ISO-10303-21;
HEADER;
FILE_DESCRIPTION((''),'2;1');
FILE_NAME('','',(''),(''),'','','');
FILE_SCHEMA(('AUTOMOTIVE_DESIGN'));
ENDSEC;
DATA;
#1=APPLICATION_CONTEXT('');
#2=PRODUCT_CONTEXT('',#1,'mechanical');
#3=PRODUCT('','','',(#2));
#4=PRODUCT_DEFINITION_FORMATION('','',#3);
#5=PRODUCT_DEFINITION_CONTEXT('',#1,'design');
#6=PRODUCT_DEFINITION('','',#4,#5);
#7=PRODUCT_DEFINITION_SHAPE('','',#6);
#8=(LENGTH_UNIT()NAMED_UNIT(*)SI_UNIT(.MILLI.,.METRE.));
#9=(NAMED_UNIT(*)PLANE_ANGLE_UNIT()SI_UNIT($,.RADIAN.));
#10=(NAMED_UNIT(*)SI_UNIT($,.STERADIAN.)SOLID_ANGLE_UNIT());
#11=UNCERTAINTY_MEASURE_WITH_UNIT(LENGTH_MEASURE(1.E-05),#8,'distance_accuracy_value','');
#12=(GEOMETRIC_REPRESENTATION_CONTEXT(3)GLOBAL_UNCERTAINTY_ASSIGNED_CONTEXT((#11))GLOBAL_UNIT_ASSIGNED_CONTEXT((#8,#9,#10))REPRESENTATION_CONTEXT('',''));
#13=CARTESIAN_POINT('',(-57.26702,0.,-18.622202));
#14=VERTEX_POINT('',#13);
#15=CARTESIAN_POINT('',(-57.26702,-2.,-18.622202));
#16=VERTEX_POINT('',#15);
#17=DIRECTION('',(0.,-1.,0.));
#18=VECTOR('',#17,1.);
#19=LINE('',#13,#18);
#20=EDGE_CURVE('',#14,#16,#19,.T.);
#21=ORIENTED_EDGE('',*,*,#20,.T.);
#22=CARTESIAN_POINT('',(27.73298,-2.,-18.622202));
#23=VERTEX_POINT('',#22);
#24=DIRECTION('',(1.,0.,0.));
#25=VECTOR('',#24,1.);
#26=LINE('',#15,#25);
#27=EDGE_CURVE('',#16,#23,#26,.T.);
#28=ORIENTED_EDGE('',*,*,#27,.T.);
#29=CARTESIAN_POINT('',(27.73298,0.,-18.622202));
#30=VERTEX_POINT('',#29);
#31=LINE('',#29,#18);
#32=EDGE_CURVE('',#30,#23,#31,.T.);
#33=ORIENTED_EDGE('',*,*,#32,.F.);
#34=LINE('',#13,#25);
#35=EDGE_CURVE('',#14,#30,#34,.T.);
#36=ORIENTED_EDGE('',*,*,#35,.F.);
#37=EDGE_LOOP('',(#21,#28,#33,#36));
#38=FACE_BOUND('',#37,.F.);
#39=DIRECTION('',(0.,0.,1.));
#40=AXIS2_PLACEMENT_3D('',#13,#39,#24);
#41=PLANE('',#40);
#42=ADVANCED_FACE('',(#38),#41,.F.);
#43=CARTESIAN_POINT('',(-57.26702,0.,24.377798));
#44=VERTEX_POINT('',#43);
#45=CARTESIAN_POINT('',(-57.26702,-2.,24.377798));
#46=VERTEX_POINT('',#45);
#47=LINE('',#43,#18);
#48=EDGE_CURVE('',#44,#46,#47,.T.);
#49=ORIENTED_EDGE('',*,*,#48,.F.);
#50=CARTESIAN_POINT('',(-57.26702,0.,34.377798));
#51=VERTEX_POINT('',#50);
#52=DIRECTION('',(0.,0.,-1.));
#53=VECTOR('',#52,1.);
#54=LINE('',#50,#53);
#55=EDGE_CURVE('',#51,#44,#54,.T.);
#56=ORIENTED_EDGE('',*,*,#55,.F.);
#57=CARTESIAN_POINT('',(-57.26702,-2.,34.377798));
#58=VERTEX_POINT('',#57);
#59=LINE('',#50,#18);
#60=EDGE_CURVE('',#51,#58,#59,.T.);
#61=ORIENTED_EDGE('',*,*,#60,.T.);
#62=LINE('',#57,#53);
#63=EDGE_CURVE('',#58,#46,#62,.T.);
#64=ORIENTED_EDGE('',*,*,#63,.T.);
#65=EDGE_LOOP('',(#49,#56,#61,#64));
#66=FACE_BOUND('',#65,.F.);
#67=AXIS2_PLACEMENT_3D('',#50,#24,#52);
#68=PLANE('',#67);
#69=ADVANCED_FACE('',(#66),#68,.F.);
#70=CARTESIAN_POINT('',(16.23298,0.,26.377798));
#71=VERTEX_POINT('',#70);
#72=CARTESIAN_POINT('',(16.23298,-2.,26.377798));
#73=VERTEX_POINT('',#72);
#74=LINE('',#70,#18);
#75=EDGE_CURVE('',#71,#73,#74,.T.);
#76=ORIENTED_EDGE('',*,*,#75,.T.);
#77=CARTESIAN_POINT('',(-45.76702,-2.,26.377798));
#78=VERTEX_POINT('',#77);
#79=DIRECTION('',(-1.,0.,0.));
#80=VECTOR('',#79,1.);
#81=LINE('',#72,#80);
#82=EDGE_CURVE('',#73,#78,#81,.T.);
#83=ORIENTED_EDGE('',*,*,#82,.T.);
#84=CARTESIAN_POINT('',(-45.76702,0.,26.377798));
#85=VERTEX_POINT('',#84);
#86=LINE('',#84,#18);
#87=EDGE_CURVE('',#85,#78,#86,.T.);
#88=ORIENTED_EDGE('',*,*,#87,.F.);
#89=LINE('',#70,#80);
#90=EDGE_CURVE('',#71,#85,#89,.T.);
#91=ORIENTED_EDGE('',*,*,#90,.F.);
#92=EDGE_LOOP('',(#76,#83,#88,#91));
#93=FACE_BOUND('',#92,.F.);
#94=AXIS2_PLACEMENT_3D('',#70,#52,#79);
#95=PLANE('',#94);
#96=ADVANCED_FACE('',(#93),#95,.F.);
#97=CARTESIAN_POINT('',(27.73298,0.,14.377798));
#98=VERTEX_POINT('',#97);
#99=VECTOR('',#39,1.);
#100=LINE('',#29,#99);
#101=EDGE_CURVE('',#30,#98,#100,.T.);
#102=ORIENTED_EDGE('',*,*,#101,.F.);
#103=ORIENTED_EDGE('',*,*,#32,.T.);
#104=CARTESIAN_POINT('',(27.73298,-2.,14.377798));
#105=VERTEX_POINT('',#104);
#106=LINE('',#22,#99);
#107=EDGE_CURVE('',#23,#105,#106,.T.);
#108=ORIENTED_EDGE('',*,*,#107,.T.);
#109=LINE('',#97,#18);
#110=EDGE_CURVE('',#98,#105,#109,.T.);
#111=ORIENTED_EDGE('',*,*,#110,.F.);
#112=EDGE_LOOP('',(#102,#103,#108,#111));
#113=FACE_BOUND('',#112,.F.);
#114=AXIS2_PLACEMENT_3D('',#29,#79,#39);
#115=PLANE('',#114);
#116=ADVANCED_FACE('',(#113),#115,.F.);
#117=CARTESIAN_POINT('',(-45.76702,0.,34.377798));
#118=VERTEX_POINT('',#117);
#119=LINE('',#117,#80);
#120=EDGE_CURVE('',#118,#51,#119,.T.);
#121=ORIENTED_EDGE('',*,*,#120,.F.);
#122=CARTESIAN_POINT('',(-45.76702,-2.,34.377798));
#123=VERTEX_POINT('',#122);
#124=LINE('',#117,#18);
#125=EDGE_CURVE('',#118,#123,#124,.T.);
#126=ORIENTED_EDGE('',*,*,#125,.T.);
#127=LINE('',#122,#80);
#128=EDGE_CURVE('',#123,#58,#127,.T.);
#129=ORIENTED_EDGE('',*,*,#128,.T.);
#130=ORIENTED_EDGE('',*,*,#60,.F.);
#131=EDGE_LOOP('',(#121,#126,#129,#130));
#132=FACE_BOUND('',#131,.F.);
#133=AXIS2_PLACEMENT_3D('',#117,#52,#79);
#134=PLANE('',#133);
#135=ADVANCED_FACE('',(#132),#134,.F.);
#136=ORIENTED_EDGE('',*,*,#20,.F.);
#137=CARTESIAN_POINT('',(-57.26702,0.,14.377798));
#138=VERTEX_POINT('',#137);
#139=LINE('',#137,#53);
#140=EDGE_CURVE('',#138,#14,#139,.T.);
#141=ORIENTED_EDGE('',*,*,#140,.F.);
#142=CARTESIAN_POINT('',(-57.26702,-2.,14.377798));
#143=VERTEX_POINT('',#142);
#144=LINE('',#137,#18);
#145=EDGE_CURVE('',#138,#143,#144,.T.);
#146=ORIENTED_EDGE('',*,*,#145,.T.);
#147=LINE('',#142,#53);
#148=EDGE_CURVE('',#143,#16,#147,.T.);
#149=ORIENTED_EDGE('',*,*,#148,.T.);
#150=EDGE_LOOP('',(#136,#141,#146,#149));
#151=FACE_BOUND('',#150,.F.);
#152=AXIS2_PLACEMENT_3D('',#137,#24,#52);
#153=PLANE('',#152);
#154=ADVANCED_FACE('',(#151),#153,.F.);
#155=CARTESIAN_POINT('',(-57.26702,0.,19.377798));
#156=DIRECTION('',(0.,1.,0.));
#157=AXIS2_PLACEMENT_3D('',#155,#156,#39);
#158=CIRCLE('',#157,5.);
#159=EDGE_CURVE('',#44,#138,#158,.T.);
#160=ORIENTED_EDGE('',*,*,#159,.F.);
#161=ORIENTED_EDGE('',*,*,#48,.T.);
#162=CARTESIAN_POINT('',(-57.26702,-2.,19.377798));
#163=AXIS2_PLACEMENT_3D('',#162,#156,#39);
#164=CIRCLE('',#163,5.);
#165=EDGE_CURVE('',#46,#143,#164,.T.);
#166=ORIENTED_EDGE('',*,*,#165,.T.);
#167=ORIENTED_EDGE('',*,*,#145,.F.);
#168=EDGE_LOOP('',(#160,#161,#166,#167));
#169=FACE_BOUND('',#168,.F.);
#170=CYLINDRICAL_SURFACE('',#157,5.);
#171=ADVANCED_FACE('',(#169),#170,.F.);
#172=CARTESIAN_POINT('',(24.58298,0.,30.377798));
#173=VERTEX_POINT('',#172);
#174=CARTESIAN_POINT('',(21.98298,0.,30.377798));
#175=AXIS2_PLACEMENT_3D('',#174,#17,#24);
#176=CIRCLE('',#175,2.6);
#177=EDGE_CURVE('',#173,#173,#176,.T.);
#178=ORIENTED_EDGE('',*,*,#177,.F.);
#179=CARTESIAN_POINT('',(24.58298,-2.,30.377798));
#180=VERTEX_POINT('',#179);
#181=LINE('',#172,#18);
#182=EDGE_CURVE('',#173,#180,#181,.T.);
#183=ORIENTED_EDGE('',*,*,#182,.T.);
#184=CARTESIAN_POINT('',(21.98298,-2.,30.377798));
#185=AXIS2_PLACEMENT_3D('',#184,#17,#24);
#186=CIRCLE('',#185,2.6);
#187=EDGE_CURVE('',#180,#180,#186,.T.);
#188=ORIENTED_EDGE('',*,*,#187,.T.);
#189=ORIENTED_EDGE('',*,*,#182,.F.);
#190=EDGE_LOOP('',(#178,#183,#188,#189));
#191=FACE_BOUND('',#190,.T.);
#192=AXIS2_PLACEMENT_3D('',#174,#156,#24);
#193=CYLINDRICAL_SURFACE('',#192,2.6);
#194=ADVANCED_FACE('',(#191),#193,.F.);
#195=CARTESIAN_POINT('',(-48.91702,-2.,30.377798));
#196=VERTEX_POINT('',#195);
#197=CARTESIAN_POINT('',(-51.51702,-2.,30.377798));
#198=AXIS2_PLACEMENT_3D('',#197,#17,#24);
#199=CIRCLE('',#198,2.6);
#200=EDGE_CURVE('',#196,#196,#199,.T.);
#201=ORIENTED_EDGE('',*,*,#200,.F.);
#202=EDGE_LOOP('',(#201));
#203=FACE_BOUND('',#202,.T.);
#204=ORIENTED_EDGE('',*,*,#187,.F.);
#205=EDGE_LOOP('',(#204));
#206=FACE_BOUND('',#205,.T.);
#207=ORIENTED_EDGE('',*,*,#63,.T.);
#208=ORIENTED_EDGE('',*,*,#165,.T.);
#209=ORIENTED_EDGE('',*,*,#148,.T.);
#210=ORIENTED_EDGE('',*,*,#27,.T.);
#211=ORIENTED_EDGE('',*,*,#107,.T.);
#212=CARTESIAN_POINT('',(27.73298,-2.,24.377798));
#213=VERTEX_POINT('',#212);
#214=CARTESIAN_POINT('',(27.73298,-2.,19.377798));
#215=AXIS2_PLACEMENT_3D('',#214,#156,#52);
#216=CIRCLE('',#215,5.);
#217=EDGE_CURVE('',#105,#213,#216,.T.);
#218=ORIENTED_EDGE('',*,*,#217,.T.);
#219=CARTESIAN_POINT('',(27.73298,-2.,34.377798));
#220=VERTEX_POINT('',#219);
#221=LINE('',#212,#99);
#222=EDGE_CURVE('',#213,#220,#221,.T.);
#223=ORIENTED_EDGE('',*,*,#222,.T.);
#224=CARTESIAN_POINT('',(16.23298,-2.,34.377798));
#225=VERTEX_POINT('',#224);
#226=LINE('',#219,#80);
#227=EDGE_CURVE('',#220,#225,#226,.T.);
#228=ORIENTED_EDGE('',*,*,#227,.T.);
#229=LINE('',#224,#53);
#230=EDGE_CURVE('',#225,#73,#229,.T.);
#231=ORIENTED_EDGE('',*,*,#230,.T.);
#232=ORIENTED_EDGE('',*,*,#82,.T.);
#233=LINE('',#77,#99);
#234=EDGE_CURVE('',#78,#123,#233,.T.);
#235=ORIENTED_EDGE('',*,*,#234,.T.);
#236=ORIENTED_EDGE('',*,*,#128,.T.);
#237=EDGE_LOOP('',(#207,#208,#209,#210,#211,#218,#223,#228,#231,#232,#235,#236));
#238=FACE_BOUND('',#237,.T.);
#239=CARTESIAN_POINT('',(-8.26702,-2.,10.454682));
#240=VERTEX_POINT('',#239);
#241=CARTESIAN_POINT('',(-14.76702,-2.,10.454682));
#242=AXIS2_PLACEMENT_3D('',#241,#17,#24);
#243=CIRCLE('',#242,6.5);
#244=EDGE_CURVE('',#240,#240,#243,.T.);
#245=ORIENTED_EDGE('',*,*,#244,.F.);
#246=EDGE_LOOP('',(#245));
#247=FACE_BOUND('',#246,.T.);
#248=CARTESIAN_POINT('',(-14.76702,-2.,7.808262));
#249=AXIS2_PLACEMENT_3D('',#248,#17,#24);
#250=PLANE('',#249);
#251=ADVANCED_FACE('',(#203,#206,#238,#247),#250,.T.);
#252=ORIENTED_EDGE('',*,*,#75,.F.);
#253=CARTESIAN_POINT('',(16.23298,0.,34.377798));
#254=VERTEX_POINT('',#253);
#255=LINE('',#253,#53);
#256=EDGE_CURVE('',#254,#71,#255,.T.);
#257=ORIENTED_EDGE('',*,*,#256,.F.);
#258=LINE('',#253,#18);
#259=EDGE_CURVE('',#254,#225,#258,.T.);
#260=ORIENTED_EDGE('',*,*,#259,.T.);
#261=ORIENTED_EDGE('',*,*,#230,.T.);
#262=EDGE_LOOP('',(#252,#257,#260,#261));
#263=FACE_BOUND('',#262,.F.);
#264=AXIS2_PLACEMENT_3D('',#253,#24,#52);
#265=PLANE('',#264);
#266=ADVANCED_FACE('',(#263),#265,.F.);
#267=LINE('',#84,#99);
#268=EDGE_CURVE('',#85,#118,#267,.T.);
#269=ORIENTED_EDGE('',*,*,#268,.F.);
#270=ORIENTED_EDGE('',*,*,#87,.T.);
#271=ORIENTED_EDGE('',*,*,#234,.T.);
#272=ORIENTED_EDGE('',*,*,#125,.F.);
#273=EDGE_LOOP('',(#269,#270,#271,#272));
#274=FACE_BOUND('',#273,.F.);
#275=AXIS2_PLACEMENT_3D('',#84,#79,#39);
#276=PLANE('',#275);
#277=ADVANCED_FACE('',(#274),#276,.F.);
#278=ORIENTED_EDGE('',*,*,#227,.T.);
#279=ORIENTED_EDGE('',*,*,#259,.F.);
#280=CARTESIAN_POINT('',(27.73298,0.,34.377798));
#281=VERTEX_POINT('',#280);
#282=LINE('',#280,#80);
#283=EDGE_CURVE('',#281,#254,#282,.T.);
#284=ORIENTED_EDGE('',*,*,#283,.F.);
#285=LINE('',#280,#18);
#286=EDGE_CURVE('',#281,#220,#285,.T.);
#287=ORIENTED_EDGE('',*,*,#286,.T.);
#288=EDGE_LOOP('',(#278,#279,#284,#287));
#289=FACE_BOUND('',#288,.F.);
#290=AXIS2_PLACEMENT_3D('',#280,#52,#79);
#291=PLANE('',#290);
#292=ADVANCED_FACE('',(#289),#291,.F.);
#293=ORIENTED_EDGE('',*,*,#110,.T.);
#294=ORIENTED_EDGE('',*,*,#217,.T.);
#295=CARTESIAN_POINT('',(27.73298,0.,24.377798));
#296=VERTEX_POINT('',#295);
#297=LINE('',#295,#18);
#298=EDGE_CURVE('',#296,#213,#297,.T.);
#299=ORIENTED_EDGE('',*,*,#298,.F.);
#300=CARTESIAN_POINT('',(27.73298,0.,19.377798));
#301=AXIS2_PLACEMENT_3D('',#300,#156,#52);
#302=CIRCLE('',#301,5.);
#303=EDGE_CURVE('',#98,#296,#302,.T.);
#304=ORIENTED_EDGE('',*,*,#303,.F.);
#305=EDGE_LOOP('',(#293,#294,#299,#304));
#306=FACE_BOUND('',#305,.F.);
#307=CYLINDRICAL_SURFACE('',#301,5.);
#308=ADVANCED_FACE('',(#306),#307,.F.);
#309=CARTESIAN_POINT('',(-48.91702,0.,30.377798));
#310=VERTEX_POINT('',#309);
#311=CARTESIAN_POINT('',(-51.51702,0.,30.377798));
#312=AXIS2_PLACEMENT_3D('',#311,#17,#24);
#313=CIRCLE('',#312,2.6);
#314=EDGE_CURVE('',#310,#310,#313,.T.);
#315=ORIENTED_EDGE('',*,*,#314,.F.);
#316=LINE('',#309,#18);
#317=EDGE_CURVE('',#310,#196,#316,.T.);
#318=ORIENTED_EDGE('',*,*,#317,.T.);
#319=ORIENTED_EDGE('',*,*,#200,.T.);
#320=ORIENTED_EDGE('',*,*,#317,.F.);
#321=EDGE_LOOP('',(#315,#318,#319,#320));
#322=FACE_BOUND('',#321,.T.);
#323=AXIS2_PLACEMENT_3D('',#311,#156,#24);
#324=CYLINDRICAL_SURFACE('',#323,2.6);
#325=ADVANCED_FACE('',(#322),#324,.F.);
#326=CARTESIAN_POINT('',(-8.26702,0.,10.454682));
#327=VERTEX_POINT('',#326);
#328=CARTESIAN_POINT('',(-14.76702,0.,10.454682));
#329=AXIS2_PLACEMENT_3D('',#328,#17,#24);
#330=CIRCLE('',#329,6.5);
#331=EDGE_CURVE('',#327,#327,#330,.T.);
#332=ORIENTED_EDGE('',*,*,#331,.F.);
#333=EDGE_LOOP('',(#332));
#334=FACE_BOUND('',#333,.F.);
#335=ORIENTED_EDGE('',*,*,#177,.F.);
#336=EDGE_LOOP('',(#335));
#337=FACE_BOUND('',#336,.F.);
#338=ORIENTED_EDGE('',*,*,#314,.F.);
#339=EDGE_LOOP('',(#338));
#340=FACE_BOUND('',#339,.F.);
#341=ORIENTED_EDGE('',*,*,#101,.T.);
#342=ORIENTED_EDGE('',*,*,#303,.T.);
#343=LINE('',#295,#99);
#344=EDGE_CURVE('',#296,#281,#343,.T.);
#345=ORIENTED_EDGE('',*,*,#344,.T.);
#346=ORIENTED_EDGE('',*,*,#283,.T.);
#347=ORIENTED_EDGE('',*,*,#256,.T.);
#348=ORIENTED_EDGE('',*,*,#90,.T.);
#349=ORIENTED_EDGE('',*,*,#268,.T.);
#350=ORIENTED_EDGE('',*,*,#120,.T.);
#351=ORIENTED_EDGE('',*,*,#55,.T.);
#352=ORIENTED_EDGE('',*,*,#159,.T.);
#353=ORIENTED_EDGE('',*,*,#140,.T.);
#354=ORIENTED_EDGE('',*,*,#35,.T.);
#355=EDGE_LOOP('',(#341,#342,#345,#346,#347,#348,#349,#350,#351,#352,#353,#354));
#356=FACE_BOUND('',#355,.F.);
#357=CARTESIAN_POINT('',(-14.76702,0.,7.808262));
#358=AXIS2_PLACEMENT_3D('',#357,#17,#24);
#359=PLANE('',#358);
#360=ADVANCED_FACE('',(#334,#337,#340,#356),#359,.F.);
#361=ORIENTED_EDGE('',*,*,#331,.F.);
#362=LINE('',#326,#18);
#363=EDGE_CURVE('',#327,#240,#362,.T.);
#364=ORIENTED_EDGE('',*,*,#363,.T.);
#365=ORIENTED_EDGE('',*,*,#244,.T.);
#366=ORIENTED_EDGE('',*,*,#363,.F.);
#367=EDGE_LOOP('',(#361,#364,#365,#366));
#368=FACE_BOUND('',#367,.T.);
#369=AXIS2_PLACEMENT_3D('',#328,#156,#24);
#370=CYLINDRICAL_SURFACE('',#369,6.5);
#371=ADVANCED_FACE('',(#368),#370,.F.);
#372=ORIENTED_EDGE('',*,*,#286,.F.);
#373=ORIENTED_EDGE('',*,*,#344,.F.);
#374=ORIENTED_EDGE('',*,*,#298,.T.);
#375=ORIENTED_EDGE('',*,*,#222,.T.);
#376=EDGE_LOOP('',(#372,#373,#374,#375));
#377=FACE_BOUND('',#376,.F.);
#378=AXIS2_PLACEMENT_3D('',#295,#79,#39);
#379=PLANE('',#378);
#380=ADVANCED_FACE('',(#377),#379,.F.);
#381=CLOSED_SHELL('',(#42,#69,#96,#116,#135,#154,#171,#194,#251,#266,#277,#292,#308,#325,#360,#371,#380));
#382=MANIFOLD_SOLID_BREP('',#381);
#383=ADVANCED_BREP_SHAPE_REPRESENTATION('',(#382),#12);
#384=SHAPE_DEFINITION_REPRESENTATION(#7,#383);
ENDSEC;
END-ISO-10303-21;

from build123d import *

# Parameters (mm, degrees)
F0_R     = 2.6
F0_R_2   = 6.5
F1_DEPTH = 2


with BuildPart() as f1:
    # F0 (on Front) → F1 (new body)
    with BuildSketch(Plane.XZ):
        with BuildLine():
            Line((16.23298, 26.377798), (-45.76702, 26.377798))
            Line((-45.76702, 26.377798), (-45.76702, 34.377798))
            Line((-45.76702, 34.377798), (-57.26702, 34.377798))
            Line((-57.26702, 34.377798), (-57.26702, 26.377798))
            Line((-57.26702, 26.377798), (-57.26702, 24.377798))
            ThreePointArc((-57.26702, 24.377798), (-52.26702, 19.377798), (-57.26702, 14.377798))
            Line((-57.26702, 14.377798), (-57.26702, -18.622202))
            Line((-57.26702, -18.622202), (27.73298, -18.622202))
            Line((27.73298, -18.622202), (27.73298, 14.377798))
            ThreePointArc((27.73298, 14.377798), (22.73298, 19.377798), (27.73298, 24.377798))
            Line((27.73298, 24.377798), (27.73298, 26.377798))
            Line((27.73298, 26.377798), (27.73298, 34.377798))
            Line((27.73298, 34.377798), (16.23298, 34.377798))
            Line((16.23298, 34.377798), (16.23298, 26.377798))
        make_face()
        with Locations((-51.51702, 30.377798)):
            Circle(F0_R, mode=Mode.SUBTRACT)
        with Locations((-14.76702, 10.454682)):
            Circle(F0_R_2, mode=Mode.SUBTRACT)
        with Locations((21.98298, 30.377798)):
            Circle(F0_R, mode=Mode.SUBTRACT)
    extrude(amount=F1_DEPTH)


solid = f1.part
